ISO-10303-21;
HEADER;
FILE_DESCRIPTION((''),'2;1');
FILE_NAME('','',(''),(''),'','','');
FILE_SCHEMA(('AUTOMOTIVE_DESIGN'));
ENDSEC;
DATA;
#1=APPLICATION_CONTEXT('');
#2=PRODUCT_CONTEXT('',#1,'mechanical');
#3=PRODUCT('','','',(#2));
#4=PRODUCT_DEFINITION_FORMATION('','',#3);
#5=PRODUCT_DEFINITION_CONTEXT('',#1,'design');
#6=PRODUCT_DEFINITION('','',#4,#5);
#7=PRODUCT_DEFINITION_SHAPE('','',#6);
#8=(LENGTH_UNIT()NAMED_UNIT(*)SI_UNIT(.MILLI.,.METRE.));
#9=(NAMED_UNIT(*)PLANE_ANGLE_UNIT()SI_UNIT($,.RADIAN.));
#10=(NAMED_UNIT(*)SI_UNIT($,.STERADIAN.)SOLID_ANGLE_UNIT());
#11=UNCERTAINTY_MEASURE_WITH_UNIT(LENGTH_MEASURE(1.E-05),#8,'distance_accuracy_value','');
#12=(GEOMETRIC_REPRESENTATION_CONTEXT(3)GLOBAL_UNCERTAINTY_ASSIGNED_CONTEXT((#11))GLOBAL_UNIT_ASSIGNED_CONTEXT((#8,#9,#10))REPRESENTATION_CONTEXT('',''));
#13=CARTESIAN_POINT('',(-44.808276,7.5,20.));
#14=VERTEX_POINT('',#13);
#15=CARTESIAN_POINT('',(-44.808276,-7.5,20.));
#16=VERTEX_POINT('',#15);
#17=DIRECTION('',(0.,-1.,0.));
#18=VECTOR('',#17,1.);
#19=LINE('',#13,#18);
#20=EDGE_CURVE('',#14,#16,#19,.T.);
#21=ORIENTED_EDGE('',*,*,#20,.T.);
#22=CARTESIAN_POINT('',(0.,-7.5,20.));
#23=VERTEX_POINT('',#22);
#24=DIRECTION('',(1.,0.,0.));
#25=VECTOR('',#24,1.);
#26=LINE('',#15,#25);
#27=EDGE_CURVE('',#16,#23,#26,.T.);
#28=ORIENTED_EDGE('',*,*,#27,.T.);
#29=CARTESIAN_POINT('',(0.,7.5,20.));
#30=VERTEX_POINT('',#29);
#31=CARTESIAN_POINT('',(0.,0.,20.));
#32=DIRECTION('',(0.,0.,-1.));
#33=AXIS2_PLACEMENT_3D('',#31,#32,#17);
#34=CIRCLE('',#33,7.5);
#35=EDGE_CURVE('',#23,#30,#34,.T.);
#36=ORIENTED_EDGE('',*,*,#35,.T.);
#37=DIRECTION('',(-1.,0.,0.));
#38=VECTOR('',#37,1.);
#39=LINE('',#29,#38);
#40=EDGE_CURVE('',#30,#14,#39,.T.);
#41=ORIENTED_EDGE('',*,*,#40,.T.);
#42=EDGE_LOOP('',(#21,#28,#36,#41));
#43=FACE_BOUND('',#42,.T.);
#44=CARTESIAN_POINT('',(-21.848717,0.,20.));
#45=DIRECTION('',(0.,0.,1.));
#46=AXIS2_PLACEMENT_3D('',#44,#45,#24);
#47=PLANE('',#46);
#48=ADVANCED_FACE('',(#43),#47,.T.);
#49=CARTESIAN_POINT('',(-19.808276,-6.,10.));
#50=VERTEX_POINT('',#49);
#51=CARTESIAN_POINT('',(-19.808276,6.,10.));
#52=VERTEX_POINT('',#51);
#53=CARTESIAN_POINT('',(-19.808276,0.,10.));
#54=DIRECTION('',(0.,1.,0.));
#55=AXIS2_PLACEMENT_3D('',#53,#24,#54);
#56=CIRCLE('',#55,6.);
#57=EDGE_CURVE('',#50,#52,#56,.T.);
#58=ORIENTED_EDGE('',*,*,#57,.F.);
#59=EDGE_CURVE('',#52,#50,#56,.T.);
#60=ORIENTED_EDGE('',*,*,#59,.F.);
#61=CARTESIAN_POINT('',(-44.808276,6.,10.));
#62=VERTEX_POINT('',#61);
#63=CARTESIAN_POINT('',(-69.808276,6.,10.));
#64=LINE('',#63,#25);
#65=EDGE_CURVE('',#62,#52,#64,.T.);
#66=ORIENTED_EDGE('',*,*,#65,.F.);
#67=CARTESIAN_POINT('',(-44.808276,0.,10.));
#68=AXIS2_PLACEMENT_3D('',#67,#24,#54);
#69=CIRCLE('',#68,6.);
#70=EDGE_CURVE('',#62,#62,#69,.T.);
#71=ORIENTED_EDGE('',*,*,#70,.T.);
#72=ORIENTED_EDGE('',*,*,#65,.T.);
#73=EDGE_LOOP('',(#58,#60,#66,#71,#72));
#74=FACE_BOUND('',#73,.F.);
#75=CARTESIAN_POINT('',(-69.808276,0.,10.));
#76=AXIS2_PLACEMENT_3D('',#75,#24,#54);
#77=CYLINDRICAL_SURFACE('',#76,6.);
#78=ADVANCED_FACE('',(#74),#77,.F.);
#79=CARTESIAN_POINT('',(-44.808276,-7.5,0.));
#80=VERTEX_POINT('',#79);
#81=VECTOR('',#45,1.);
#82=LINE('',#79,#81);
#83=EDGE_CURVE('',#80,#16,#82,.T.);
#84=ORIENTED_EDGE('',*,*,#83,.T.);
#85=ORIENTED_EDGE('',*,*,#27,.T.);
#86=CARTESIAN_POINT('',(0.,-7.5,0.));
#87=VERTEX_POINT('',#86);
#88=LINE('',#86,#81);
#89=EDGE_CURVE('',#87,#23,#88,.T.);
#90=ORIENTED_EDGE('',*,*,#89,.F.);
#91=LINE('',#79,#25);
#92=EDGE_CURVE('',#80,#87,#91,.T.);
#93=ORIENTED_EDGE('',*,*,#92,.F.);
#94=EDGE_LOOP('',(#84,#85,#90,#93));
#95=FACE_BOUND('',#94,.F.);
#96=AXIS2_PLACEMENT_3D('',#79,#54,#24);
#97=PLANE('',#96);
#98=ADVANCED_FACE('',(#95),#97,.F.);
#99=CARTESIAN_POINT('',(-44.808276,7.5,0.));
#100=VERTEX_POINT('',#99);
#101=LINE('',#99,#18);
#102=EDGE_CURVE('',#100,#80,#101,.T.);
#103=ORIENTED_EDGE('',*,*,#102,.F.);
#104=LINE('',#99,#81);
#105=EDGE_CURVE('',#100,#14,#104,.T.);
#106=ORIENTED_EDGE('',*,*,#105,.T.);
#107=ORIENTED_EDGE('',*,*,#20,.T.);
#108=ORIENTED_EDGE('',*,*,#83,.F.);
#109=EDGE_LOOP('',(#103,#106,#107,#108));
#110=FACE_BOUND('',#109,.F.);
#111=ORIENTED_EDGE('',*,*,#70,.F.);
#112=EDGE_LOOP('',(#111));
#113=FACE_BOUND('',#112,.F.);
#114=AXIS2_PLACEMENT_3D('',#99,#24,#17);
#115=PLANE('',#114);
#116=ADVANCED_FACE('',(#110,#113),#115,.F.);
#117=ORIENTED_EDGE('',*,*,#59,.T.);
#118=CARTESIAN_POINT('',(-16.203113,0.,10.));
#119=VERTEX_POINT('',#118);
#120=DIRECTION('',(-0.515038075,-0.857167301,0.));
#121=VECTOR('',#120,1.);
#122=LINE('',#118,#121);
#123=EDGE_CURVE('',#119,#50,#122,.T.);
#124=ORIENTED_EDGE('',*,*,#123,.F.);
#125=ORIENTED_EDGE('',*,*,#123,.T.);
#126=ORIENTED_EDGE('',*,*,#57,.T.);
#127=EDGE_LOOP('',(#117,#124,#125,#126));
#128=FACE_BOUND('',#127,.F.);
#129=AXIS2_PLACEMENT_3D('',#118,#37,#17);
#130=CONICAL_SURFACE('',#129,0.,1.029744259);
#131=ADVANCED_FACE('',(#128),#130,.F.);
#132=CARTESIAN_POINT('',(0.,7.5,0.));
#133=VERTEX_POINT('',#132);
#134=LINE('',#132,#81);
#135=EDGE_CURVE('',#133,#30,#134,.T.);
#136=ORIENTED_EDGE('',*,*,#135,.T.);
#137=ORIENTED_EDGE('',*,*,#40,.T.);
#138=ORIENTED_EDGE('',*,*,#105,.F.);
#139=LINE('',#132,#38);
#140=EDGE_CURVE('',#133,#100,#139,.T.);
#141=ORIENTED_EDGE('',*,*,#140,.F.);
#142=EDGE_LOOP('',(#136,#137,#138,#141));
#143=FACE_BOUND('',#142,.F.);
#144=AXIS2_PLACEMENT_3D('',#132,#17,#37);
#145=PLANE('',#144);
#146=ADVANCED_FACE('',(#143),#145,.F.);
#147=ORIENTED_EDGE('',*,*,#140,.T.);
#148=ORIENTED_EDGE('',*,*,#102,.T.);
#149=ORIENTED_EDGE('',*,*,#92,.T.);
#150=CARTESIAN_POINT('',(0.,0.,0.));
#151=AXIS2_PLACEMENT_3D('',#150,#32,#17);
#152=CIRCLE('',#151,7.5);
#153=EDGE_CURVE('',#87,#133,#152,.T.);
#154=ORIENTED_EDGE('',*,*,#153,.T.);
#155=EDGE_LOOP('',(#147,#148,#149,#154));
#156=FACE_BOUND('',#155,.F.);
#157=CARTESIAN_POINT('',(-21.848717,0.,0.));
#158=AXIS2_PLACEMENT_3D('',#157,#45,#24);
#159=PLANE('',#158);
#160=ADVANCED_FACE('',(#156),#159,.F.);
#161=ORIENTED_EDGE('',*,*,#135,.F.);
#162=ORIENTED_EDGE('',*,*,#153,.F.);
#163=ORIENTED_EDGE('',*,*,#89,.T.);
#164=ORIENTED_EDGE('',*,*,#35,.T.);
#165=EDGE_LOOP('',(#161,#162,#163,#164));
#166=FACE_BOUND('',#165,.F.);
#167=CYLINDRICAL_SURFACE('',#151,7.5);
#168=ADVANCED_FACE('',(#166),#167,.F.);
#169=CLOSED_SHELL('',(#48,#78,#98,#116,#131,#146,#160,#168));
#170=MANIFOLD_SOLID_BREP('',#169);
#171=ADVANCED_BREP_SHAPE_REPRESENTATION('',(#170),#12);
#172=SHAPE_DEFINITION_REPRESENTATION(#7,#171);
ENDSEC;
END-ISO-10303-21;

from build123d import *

# Parameters (mm, degrees)
F1_DEPTH = 20
F3_D     = 12
F3_DEPTH = 25
F3_TIP   = 3.6051637142


with BuildPart() as f1:
    # F0 (on Top) → F1 (new body)
    with BuildSketch(Plane.XY):
        with BuildLine():
            ThreePointArc((0, -7.5), (-7.5, 0), (0, 7.5))
            Line((0, 7.5), (-44.8082763299, 7.5))
            Line((-44.8082763299, 7.5), (-44.8082763299, -7.5))
            Line((-44.8082763299, -7.5), (0, -7.5))
        make_face()
    extrude(amount=F1_DEPTH)

    # F3
    with Locations(Plane(origin=(-44.8082763299, 0, 0), x_dir=(0, -1, 0), z_dir=(-1, 0, 0))):
        with Locations((0, 10)):
            Hole(F3_D / 2, depth=F3_DEPTH)
            with Locations((0, 0, -(F3_DEPTH + F3_TIP / 2))):  # 118° drill point
                Cone(0, F3_D / 2, F3_TIP, mode=Mode.SUBTRACT)


solid = f1.part
